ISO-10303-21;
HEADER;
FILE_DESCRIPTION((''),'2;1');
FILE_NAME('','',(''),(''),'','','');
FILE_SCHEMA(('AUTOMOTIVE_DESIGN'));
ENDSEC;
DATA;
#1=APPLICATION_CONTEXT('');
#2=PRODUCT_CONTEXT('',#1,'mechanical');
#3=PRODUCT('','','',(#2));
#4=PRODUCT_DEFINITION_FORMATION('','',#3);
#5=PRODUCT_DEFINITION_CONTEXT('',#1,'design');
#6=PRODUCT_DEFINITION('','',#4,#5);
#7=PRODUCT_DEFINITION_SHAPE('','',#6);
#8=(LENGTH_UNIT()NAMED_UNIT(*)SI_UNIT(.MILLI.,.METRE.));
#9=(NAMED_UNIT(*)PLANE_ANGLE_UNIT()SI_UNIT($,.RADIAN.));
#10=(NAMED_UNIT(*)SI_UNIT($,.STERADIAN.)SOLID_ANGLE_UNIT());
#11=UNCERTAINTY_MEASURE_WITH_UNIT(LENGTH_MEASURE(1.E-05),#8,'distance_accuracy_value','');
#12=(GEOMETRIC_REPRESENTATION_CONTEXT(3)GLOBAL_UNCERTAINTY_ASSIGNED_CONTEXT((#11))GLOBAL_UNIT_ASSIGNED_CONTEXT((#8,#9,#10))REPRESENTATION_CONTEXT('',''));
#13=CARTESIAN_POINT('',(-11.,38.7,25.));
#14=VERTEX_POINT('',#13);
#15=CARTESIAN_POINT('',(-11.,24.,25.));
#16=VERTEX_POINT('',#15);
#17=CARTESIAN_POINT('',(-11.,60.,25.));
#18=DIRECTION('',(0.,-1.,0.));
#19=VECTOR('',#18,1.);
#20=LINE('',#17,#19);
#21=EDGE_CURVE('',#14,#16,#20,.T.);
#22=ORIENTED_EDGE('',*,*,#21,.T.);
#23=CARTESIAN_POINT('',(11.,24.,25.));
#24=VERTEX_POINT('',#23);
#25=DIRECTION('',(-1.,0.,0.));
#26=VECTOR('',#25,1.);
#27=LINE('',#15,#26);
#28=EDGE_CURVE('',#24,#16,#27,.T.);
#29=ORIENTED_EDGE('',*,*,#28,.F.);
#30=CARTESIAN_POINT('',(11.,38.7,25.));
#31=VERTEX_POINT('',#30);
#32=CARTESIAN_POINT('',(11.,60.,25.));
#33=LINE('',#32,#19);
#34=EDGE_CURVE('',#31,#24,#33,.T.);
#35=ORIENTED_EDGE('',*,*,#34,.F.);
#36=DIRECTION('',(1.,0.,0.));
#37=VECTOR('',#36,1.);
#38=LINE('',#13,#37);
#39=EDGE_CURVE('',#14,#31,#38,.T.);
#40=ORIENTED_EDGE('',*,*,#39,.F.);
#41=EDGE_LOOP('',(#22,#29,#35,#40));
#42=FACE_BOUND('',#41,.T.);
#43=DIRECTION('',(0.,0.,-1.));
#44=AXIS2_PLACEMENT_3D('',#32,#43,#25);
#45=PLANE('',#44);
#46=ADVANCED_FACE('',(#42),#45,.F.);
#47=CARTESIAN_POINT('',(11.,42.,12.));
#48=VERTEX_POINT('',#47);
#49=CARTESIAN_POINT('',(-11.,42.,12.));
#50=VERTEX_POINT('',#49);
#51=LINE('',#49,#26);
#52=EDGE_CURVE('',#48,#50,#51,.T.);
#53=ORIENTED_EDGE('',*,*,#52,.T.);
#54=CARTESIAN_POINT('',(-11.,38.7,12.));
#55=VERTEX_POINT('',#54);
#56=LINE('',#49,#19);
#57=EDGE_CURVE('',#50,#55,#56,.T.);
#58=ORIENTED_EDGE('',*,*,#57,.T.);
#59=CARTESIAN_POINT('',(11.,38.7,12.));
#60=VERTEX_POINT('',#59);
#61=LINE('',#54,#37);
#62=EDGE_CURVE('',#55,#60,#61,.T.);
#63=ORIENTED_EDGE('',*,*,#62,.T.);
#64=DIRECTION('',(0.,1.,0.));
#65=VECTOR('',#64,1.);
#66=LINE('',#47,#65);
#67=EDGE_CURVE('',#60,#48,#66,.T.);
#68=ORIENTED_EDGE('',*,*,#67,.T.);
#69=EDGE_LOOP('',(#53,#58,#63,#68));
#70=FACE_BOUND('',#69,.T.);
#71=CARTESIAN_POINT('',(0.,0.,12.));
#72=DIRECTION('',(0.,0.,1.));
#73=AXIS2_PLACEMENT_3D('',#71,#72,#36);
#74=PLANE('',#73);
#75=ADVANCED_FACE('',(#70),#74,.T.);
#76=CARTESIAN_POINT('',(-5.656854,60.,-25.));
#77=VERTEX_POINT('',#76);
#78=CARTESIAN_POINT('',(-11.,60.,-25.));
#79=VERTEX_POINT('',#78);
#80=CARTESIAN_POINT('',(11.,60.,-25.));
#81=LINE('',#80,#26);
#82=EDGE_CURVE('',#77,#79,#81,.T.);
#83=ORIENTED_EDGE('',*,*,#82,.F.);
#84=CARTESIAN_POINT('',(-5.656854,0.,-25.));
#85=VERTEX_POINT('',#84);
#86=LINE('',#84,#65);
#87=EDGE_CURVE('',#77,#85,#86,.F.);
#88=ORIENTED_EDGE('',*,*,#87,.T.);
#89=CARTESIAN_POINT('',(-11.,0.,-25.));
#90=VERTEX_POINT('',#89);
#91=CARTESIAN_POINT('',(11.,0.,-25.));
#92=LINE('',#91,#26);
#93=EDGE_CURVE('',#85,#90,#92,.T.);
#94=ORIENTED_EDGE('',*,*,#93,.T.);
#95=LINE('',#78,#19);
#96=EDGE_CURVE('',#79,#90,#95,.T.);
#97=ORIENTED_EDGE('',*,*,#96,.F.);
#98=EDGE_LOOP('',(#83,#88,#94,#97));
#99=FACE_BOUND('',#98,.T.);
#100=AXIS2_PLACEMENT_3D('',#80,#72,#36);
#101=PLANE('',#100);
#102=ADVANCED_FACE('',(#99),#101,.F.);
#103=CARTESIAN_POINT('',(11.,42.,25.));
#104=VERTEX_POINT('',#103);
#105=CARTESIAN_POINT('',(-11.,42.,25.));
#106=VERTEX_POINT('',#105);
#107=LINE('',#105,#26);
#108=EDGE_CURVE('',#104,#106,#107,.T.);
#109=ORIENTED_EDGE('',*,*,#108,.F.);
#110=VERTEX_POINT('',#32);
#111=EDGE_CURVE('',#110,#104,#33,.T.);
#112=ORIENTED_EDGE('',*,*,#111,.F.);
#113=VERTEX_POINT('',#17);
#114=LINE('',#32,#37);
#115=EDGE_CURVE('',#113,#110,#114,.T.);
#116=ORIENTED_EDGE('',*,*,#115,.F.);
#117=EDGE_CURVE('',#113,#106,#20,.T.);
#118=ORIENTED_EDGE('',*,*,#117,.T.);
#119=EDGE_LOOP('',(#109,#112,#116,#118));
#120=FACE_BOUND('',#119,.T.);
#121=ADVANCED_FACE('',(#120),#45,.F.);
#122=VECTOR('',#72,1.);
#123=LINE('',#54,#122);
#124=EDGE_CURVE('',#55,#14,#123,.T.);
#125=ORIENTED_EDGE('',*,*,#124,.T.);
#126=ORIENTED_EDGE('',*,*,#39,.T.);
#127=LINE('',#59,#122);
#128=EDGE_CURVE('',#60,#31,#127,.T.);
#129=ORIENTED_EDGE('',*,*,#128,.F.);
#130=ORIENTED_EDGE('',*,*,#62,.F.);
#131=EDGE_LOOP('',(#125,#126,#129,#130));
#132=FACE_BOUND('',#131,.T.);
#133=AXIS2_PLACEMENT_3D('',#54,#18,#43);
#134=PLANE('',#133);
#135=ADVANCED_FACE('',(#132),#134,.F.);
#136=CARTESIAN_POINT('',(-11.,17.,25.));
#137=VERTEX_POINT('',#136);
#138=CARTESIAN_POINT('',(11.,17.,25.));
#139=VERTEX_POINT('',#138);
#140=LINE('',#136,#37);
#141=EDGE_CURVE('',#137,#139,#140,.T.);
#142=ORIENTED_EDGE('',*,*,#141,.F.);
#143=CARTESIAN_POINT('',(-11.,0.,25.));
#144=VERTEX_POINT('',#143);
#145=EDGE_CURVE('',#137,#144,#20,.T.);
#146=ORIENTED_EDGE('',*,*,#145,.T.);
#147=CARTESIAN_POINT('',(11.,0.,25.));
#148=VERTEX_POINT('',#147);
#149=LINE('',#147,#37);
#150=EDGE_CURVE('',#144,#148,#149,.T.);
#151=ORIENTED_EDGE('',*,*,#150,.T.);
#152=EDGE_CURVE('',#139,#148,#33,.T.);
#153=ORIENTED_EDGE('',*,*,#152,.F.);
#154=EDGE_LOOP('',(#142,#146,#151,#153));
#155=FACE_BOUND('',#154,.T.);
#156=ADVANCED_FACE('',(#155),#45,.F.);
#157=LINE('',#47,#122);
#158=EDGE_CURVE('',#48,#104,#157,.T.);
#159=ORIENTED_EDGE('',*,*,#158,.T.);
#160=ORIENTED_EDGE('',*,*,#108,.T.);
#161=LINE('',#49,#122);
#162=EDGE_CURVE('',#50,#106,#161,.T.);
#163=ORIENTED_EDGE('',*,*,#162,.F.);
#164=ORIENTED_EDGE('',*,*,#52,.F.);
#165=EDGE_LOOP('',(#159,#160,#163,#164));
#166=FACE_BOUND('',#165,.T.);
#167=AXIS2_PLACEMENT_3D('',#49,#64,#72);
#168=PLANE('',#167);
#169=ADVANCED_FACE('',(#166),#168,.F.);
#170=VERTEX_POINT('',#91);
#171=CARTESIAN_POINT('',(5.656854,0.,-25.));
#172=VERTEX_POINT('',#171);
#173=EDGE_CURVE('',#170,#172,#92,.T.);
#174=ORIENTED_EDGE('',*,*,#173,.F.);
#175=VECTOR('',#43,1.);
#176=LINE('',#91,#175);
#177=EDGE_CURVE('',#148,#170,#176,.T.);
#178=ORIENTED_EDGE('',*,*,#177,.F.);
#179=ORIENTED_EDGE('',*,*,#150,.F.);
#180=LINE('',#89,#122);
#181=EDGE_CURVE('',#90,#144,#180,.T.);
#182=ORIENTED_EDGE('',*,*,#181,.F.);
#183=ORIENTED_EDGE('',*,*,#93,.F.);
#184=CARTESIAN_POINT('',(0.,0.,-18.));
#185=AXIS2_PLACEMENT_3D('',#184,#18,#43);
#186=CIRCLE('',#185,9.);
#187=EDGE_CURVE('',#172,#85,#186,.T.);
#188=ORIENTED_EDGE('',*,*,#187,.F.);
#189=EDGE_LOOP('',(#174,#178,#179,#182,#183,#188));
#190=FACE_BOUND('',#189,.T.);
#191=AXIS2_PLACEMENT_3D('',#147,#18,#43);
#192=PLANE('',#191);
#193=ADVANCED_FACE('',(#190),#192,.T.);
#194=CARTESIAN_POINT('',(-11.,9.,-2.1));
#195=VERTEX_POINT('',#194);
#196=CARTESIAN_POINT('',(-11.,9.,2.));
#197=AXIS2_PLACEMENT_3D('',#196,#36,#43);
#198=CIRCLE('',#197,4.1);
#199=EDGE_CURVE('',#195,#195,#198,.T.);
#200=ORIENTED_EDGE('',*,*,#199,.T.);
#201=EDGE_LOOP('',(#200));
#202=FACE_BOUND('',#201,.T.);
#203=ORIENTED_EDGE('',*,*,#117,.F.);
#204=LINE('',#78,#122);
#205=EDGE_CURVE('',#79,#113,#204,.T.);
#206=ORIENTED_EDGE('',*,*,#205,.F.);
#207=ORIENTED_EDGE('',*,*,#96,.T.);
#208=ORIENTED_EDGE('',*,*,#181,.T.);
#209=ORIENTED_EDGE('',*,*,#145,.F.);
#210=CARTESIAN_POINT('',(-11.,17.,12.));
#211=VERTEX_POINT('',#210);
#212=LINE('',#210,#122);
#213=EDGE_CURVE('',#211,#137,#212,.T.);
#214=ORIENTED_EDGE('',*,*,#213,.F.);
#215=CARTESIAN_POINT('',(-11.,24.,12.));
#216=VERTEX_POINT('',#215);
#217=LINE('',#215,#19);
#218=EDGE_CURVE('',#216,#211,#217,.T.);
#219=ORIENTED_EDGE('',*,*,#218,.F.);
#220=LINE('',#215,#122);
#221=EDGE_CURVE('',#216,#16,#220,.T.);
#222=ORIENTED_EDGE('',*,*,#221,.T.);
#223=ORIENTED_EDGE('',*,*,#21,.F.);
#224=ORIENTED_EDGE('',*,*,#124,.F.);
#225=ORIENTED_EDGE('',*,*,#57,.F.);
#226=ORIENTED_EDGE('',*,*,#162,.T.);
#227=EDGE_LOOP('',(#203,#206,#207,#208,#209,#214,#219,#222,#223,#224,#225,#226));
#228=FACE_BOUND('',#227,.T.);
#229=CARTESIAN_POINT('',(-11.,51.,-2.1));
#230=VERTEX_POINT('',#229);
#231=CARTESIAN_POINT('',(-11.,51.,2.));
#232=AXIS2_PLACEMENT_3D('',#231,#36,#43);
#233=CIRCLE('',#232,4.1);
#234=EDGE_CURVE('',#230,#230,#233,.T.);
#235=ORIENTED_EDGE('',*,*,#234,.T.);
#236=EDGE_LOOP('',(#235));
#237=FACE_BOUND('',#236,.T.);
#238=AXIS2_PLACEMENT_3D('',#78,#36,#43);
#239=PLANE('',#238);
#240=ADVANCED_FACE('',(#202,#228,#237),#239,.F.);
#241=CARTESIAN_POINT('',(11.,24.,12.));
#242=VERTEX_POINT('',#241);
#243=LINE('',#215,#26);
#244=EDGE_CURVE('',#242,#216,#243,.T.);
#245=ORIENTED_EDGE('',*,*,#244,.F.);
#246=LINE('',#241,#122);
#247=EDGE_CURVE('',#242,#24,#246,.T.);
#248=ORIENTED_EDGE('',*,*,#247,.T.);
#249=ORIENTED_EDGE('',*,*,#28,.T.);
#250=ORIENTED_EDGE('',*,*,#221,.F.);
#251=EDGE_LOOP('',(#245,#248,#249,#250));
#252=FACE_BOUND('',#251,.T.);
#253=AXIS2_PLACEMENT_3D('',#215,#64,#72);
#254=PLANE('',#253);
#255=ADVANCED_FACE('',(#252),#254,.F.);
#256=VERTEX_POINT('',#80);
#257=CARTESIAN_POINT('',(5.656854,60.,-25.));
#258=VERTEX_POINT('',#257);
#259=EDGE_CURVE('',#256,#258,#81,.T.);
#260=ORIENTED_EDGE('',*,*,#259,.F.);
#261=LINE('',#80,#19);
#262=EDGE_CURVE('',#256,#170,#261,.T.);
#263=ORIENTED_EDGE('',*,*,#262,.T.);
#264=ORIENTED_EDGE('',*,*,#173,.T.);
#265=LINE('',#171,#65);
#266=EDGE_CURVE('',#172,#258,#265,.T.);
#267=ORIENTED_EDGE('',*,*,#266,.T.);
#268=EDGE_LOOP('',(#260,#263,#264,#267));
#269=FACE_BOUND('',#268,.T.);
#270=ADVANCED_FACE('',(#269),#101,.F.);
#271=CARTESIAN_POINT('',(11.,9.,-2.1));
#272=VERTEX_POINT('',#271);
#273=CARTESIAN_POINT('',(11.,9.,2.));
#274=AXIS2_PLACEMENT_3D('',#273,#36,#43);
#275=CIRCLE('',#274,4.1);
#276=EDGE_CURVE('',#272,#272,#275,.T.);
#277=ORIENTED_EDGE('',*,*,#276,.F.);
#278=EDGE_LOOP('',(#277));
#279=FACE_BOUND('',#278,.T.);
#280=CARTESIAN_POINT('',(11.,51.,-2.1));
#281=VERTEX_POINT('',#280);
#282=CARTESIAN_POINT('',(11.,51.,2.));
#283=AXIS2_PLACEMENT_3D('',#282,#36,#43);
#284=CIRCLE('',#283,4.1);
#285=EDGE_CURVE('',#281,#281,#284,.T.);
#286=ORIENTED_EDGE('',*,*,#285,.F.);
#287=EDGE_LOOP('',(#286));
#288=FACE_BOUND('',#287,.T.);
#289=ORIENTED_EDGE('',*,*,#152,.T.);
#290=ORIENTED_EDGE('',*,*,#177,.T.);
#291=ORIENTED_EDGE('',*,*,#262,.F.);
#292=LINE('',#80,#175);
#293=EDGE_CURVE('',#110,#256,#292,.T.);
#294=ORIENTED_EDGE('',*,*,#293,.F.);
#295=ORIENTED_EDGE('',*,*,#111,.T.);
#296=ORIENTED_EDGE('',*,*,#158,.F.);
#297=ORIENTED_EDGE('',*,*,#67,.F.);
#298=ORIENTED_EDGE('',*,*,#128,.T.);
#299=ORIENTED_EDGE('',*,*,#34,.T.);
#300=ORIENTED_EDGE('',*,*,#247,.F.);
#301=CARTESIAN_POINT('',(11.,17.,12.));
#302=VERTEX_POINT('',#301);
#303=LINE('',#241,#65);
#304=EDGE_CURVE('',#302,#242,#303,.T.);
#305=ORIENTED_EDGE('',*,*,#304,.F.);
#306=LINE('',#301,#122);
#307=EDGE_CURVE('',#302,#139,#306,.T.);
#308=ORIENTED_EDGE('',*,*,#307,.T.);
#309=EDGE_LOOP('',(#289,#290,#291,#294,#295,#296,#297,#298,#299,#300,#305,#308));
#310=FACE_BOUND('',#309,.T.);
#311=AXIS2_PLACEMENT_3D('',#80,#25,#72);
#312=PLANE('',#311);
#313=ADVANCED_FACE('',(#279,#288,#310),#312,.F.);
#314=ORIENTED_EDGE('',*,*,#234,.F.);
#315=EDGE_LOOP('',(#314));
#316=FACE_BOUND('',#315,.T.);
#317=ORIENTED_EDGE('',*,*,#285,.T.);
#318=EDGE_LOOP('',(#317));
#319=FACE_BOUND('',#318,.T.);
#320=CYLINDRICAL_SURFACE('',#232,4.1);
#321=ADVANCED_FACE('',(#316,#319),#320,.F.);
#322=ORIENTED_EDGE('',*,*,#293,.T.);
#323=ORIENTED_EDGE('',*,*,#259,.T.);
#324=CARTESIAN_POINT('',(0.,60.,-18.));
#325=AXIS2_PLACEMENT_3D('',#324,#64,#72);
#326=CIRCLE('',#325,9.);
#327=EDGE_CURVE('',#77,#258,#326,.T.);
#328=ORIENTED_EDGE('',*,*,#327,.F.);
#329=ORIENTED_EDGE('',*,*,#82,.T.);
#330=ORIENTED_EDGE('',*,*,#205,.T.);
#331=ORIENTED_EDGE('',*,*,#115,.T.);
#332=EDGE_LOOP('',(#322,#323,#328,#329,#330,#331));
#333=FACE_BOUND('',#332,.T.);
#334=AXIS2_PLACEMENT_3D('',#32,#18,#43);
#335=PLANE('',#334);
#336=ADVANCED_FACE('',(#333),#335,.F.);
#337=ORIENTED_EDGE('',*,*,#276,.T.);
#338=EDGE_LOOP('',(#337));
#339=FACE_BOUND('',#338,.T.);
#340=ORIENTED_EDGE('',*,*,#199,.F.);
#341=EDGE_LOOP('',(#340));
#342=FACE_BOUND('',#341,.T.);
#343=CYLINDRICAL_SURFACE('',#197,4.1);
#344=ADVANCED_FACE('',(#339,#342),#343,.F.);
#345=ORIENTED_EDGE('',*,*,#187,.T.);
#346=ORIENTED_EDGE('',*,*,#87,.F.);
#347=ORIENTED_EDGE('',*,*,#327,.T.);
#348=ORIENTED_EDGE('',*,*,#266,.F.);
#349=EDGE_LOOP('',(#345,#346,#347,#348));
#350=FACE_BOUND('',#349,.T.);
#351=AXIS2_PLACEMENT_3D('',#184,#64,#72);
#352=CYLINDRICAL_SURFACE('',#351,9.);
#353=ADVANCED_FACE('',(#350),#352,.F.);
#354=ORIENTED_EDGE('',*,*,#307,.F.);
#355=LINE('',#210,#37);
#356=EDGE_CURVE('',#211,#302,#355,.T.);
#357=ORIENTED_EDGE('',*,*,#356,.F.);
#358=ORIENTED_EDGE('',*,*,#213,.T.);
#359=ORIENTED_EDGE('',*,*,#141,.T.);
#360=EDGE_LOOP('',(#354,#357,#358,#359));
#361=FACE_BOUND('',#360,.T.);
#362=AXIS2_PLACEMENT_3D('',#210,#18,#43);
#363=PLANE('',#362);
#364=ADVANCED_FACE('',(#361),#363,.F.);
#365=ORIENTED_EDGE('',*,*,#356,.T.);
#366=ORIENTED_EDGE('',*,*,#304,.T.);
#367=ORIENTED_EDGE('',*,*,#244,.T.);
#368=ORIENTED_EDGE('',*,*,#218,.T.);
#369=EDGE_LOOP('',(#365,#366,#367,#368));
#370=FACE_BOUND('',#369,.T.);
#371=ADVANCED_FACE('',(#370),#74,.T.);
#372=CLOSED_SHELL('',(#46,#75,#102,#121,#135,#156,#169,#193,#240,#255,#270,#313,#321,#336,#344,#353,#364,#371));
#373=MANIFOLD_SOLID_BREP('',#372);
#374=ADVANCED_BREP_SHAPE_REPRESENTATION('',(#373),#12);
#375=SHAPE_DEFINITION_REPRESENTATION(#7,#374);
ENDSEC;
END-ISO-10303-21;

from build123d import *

# Parameters (mm, degrees)
SKETCH1_W           = 22
SKETCH1_H           = 50
BOSS_EXTRUDE1_DEPTH = 60
SKETCH2_R           = 4.1
CUT_EXTRUDE1_DEPTH  = 23
SKETCH4_R           = 9
CUT_EXTRUDE2_DEPTH  = 61
SKETCH5_W           = 22
SKETCH5_H           = 3.3
SKETCH5_H_2         = 7
CUT_EXTRUDE3_DEPTH  = 13


with BuildPart() as part:
    # Sketch1 → Boss-Extrude1 (new body)
    with BuildSketch(Plane(origin=(0, 0, 0), x_dir=(1, 0, 0), z_dir=(0, 1, 0))):
        Rectangle(SKETCH1_W, SKETCH1_H)
    extrude(amount=BOSS_EXTRUDE1_DEPTH)

    # Sketch2 → Cut-Extrude1 (cut, through all)
    with BuildSketch(Plane(origin=(11, 0, 0), x_dir=(0, 0, -1), z_dir=(1, 0, 0))):
        with Locations((-2, 51)):
            Circle(SKETCH2_R)
        with Locations((-2, 9)):
            Circle(SKETCH2_R)
    extrude(amount=-CUT_EXTRUDE1_DEPTH, mode=Mode.SUBTRACT)

    # Sketch4 → Cut-Extrude2 (cut, through all)
    with BuildSketch(Plane(origin=(0, 60, 0), x_dir=(1, 0, 0), z_dir=(0, 1, 0))):
        with Locations((0, 18)):
            Circle(SKETCH4_R)
    extrude(amount=-CUT_EXTRUDE2_DEPTH, mode=Mode.SUBTRACT)

    # Sketch5 → Cut-Extrude3 (cut)
    with BuildSketch(Plane.XY.offset(25)):
        with Locations((0, 40.35)):
            Rectangle(SKETCH5_W, SKETCH5_H)
        with Locations((0, 20.5)):
            Rectangle(SKETCH5_W, SKETCH5_H_2)
    extrude(amount=-CUT_EXTRUDE3_DEPTH, mode=Mode.SUBTRACT)


solid = part.part
